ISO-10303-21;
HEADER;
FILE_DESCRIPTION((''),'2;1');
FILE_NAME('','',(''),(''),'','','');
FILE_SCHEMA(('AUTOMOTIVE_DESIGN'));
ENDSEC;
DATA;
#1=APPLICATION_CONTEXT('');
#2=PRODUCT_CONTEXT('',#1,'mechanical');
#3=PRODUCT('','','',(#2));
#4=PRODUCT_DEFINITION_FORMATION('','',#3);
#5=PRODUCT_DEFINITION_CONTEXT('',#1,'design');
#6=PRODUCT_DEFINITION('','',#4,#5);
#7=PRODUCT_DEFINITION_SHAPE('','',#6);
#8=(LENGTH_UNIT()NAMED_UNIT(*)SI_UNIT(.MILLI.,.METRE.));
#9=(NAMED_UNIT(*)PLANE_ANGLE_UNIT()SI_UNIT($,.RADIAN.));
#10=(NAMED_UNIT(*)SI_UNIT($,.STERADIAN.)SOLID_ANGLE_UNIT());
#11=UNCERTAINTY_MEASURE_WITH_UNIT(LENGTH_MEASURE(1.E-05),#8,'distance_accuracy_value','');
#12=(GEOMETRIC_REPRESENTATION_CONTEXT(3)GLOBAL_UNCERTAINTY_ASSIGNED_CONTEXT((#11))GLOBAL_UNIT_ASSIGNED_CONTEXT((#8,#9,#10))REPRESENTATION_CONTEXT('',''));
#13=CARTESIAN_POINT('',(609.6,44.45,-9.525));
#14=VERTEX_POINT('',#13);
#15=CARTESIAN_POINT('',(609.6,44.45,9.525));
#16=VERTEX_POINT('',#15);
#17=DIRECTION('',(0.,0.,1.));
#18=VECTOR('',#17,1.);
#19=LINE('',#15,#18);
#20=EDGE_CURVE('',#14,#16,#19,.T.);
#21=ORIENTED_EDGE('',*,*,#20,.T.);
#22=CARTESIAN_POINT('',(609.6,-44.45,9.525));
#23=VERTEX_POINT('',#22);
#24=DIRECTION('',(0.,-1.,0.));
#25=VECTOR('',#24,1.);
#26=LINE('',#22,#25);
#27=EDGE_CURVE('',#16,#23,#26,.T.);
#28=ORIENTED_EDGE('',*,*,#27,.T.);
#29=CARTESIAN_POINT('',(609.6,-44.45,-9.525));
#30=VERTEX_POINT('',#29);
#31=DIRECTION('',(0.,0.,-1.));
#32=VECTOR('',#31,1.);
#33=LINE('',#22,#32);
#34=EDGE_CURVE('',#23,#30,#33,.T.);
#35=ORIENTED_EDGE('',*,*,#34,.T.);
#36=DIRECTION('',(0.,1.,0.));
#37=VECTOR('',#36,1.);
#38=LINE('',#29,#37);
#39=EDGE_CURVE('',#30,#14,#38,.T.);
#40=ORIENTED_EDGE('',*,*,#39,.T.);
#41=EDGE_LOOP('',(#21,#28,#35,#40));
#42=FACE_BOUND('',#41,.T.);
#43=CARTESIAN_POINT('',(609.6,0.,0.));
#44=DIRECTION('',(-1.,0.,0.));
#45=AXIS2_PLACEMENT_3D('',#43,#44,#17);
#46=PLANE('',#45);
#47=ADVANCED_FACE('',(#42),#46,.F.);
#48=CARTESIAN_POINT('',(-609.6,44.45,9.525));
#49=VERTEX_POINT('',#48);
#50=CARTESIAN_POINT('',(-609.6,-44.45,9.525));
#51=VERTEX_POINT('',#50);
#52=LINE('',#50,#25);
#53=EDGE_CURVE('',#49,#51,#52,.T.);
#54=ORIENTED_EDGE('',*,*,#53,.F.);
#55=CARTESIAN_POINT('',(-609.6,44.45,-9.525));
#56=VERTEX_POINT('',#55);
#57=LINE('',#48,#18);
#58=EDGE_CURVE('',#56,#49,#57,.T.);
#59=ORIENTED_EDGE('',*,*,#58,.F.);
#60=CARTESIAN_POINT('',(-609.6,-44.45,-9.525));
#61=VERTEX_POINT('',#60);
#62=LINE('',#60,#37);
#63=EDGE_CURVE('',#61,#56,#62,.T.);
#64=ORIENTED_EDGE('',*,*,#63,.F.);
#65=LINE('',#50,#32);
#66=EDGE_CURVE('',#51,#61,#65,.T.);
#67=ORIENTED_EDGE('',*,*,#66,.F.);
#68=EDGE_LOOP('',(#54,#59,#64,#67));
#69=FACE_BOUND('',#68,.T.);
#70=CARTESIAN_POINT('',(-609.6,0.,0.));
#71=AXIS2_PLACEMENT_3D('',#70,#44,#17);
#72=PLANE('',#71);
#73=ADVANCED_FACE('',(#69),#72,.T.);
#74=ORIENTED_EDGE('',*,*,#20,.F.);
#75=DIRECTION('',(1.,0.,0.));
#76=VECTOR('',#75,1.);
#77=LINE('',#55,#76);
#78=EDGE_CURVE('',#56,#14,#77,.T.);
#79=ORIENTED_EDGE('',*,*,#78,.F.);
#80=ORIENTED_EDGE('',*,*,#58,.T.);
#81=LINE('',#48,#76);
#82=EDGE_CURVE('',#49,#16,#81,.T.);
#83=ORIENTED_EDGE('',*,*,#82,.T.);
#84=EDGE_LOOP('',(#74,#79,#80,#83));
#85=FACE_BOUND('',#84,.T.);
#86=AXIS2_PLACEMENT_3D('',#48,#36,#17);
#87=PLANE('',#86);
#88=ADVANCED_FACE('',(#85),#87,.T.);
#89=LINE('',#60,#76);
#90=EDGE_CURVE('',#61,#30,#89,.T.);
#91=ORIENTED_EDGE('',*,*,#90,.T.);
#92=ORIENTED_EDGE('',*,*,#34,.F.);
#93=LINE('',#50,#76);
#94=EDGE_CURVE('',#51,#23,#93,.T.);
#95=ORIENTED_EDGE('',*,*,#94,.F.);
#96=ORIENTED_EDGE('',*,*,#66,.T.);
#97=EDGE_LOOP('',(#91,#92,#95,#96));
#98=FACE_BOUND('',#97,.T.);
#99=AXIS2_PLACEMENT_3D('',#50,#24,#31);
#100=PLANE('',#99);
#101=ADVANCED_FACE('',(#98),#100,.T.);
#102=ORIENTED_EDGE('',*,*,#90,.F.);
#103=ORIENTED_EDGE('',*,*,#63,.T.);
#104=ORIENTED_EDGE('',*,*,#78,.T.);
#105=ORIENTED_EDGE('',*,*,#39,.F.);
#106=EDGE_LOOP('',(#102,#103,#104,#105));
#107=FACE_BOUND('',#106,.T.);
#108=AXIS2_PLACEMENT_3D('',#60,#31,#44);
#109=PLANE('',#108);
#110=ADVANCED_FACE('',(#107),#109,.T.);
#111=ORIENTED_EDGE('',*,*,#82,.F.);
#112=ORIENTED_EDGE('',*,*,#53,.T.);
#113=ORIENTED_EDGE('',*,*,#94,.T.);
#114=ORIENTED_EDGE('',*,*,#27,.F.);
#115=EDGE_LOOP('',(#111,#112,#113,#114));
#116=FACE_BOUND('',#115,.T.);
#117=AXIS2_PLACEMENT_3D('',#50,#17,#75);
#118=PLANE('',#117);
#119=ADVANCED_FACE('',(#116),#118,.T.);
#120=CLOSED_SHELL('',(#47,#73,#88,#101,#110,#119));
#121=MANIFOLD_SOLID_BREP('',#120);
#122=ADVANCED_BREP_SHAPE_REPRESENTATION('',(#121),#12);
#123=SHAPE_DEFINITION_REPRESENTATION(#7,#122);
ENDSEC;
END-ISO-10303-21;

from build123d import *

# Parameters (mm, degrees)
BOSS_EXTRUDE1_DEPTH      = 609.6
BOSS_EXTRUDE1_DEPTH_BACK = 609.6
SKETCH1_W                = 19.05
SKETCH1_H                = 88.9


with BuildPart() as part:
    # Sketch1 → Boss-Extrude1 (new, two sides: drawn at the far end of the back side and taken through both)
    with BuildSketch(Plane(origin=(0, 0, 0), x_dir=(0, 0, -1), z_dir=(1, 0, 0)).offset(-BOSS_EXTRUDE1_DEPTH_BACK)):
        Rectangle(SKETCH1_W, SKETCH1_H)
    extrude(amount=BOSS_EXTRUDE1_DEPTH + BOSS_EXTRUDE1_DEPTH_BACK)


solid = part.part
